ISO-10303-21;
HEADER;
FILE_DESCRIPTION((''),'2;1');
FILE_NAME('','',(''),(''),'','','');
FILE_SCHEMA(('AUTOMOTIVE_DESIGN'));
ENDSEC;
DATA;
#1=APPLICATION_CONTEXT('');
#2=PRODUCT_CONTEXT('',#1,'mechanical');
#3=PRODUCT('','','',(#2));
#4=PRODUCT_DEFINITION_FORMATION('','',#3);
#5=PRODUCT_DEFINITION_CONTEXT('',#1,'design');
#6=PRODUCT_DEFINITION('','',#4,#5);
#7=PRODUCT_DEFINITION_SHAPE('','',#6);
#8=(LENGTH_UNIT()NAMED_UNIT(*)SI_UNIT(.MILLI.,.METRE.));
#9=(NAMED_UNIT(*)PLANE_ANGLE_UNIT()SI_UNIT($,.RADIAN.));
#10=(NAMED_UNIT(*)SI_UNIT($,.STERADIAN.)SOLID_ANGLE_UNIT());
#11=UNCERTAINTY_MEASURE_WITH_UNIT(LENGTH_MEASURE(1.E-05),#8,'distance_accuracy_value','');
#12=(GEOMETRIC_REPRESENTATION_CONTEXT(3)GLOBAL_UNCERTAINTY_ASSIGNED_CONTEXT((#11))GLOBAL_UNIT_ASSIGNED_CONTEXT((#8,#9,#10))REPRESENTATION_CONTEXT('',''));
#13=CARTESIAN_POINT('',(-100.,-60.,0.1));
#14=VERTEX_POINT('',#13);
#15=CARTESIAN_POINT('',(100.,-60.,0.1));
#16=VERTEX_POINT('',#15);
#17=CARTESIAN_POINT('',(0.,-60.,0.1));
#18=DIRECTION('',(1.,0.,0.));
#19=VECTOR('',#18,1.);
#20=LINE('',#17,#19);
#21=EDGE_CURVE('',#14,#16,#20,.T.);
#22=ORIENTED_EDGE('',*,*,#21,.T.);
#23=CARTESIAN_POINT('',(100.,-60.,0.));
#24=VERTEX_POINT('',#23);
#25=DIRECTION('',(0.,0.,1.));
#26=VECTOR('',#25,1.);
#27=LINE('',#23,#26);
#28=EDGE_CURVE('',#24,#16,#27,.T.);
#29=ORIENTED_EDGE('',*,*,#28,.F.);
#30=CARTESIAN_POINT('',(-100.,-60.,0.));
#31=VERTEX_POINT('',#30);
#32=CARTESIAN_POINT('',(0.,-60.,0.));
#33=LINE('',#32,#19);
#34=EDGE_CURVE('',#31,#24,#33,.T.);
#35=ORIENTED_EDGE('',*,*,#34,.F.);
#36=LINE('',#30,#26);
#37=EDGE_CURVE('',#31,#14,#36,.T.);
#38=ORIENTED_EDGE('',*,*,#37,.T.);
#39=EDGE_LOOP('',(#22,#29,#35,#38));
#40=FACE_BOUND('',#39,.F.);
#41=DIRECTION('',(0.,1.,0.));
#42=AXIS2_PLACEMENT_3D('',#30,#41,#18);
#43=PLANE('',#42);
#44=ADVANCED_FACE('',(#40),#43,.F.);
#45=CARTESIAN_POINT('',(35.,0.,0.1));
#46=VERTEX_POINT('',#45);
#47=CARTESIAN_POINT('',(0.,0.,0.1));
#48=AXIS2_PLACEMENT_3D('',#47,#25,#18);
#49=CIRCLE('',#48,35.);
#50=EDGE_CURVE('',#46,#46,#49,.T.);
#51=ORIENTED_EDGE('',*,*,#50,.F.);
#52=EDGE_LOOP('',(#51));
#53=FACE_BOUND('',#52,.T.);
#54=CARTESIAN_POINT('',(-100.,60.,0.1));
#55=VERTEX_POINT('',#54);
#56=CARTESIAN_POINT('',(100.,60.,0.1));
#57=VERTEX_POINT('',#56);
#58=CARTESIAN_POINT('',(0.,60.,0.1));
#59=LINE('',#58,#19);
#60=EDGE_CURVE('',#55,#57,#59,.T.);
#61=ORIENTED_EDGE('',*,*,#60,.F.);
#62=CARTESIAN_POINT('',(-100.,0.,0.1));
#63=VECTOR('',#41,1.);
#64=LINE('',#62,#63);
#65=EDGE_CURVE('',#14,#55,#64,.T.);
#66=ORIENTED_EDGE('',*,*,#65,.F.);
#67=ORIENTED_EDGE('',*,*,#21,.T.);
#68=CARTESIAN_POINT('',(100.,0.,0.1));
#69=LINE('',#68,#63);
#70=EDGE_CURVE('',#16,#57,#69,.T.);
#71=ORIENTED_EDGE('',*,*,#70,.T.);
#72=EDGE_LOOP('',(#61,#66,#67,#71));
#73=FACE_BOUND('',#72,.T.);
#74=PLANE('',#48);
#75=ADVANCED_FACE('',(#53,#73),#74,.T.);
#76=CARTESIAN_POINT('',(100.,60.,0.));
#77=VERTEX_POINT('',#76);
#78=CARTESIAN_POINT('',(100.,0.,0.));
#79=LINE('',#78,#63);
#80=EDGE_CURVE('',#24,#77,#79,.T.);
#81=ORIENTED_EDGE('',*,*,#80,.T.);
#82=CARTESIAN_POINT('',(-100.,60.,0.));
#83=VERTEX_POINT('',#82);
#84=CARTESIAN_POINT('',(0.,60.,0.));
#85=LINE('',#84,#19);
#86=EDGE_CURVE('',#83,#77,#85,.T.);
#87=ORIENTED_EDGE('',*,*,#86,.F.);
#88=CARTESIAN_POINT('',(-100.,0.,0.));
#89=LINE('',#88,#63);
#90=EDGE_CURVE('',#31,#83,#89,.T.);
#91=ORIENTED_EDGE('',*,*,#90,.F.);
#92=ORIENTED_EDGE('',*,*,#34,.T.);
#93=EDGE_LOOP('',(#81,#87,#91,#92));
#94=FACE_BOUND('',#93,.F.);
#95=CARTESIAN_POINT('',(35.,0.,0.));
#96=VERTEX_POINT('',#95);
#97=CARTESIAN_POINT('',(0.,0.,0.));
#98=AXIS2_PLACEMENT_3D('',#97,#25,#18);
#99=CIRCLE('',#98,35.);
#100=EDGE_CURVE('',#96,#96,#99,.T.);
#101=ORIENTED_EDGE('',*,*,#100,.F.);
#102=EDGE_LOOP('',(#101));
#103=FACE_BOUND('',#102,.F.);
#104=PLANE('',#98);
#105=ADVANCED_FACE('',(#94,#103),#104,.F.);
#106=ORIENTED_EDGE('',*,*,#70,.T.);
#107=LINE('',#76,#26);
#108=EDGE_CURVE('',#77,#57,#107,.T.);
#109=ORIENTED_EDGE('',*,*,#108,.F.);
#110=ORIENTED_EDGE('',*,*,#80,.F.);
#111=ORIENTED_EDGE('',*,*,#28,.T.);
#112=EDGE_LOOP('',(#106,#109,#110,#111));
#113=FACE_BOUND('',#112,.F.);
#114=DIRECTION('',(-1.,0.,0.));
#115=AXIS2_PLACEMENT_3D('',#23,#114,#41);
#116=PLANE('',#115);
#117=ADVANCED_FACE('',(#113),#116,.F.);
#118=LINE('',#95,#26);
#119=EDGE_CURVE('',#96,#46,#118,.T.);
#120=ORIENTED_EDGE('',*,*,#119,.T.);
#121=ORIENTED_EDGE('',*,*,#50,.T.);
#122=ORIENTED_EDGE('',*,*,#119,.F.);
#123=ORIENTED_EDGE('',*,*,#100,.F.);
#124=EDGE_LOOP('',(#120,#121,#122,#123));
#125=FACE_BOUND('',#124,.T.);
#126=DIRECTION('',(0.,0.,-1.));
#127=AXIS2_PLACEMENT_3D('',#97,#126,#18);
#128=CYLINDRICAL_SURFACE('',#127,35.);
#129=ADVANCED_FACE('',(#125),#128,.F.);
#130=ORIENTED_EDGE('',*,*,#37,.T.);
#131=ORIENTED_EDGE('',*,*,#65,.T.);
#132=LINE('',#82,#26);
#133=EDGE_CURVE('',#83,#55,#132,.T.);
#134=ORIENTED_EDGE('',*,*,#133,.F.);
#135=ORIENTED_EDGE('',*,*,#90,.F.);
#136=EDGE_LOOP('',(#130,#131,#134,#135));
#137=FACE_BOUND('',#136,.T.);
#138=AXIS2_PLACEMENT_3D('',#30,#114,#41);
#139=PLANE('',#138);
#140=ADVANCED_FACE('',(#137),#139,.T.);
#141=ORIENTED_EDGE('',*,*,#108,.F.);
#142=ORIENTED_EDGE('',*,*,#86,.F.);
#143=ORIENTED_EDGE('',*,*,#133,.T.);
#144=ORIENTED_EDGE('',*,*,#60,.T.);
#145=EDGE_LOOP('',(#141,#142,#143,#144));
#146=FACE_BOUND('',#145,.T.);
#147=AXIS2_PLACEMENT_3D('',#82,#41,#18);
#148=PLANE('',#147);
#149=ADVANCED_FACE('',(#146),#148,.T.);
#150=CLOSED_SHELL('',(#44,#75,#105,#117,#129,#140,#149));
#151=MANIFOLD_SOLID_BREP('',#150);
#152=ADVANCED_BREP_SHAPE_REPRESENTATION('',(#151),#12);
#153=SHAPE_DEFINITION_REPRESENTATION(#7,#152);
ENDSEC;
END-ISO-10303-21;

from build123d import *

# Parameters (mm, degrees)
SKETCH_W  = 200
SKETCH_H  = 120
SKETCH_R  = 35
PAD_DEPTH = 0.1


with BuildPart() as part:
    # Sketch → Pad (new body)
    with BuildSketch(Plane.XY):
        Rectangle(SKETCH_W, SKETCH_H)
        Circle(SKETCH_R, mode=Mode.SUBTRACT)
    extrude(amount=PAD_DEPTH)


solid = part.part
